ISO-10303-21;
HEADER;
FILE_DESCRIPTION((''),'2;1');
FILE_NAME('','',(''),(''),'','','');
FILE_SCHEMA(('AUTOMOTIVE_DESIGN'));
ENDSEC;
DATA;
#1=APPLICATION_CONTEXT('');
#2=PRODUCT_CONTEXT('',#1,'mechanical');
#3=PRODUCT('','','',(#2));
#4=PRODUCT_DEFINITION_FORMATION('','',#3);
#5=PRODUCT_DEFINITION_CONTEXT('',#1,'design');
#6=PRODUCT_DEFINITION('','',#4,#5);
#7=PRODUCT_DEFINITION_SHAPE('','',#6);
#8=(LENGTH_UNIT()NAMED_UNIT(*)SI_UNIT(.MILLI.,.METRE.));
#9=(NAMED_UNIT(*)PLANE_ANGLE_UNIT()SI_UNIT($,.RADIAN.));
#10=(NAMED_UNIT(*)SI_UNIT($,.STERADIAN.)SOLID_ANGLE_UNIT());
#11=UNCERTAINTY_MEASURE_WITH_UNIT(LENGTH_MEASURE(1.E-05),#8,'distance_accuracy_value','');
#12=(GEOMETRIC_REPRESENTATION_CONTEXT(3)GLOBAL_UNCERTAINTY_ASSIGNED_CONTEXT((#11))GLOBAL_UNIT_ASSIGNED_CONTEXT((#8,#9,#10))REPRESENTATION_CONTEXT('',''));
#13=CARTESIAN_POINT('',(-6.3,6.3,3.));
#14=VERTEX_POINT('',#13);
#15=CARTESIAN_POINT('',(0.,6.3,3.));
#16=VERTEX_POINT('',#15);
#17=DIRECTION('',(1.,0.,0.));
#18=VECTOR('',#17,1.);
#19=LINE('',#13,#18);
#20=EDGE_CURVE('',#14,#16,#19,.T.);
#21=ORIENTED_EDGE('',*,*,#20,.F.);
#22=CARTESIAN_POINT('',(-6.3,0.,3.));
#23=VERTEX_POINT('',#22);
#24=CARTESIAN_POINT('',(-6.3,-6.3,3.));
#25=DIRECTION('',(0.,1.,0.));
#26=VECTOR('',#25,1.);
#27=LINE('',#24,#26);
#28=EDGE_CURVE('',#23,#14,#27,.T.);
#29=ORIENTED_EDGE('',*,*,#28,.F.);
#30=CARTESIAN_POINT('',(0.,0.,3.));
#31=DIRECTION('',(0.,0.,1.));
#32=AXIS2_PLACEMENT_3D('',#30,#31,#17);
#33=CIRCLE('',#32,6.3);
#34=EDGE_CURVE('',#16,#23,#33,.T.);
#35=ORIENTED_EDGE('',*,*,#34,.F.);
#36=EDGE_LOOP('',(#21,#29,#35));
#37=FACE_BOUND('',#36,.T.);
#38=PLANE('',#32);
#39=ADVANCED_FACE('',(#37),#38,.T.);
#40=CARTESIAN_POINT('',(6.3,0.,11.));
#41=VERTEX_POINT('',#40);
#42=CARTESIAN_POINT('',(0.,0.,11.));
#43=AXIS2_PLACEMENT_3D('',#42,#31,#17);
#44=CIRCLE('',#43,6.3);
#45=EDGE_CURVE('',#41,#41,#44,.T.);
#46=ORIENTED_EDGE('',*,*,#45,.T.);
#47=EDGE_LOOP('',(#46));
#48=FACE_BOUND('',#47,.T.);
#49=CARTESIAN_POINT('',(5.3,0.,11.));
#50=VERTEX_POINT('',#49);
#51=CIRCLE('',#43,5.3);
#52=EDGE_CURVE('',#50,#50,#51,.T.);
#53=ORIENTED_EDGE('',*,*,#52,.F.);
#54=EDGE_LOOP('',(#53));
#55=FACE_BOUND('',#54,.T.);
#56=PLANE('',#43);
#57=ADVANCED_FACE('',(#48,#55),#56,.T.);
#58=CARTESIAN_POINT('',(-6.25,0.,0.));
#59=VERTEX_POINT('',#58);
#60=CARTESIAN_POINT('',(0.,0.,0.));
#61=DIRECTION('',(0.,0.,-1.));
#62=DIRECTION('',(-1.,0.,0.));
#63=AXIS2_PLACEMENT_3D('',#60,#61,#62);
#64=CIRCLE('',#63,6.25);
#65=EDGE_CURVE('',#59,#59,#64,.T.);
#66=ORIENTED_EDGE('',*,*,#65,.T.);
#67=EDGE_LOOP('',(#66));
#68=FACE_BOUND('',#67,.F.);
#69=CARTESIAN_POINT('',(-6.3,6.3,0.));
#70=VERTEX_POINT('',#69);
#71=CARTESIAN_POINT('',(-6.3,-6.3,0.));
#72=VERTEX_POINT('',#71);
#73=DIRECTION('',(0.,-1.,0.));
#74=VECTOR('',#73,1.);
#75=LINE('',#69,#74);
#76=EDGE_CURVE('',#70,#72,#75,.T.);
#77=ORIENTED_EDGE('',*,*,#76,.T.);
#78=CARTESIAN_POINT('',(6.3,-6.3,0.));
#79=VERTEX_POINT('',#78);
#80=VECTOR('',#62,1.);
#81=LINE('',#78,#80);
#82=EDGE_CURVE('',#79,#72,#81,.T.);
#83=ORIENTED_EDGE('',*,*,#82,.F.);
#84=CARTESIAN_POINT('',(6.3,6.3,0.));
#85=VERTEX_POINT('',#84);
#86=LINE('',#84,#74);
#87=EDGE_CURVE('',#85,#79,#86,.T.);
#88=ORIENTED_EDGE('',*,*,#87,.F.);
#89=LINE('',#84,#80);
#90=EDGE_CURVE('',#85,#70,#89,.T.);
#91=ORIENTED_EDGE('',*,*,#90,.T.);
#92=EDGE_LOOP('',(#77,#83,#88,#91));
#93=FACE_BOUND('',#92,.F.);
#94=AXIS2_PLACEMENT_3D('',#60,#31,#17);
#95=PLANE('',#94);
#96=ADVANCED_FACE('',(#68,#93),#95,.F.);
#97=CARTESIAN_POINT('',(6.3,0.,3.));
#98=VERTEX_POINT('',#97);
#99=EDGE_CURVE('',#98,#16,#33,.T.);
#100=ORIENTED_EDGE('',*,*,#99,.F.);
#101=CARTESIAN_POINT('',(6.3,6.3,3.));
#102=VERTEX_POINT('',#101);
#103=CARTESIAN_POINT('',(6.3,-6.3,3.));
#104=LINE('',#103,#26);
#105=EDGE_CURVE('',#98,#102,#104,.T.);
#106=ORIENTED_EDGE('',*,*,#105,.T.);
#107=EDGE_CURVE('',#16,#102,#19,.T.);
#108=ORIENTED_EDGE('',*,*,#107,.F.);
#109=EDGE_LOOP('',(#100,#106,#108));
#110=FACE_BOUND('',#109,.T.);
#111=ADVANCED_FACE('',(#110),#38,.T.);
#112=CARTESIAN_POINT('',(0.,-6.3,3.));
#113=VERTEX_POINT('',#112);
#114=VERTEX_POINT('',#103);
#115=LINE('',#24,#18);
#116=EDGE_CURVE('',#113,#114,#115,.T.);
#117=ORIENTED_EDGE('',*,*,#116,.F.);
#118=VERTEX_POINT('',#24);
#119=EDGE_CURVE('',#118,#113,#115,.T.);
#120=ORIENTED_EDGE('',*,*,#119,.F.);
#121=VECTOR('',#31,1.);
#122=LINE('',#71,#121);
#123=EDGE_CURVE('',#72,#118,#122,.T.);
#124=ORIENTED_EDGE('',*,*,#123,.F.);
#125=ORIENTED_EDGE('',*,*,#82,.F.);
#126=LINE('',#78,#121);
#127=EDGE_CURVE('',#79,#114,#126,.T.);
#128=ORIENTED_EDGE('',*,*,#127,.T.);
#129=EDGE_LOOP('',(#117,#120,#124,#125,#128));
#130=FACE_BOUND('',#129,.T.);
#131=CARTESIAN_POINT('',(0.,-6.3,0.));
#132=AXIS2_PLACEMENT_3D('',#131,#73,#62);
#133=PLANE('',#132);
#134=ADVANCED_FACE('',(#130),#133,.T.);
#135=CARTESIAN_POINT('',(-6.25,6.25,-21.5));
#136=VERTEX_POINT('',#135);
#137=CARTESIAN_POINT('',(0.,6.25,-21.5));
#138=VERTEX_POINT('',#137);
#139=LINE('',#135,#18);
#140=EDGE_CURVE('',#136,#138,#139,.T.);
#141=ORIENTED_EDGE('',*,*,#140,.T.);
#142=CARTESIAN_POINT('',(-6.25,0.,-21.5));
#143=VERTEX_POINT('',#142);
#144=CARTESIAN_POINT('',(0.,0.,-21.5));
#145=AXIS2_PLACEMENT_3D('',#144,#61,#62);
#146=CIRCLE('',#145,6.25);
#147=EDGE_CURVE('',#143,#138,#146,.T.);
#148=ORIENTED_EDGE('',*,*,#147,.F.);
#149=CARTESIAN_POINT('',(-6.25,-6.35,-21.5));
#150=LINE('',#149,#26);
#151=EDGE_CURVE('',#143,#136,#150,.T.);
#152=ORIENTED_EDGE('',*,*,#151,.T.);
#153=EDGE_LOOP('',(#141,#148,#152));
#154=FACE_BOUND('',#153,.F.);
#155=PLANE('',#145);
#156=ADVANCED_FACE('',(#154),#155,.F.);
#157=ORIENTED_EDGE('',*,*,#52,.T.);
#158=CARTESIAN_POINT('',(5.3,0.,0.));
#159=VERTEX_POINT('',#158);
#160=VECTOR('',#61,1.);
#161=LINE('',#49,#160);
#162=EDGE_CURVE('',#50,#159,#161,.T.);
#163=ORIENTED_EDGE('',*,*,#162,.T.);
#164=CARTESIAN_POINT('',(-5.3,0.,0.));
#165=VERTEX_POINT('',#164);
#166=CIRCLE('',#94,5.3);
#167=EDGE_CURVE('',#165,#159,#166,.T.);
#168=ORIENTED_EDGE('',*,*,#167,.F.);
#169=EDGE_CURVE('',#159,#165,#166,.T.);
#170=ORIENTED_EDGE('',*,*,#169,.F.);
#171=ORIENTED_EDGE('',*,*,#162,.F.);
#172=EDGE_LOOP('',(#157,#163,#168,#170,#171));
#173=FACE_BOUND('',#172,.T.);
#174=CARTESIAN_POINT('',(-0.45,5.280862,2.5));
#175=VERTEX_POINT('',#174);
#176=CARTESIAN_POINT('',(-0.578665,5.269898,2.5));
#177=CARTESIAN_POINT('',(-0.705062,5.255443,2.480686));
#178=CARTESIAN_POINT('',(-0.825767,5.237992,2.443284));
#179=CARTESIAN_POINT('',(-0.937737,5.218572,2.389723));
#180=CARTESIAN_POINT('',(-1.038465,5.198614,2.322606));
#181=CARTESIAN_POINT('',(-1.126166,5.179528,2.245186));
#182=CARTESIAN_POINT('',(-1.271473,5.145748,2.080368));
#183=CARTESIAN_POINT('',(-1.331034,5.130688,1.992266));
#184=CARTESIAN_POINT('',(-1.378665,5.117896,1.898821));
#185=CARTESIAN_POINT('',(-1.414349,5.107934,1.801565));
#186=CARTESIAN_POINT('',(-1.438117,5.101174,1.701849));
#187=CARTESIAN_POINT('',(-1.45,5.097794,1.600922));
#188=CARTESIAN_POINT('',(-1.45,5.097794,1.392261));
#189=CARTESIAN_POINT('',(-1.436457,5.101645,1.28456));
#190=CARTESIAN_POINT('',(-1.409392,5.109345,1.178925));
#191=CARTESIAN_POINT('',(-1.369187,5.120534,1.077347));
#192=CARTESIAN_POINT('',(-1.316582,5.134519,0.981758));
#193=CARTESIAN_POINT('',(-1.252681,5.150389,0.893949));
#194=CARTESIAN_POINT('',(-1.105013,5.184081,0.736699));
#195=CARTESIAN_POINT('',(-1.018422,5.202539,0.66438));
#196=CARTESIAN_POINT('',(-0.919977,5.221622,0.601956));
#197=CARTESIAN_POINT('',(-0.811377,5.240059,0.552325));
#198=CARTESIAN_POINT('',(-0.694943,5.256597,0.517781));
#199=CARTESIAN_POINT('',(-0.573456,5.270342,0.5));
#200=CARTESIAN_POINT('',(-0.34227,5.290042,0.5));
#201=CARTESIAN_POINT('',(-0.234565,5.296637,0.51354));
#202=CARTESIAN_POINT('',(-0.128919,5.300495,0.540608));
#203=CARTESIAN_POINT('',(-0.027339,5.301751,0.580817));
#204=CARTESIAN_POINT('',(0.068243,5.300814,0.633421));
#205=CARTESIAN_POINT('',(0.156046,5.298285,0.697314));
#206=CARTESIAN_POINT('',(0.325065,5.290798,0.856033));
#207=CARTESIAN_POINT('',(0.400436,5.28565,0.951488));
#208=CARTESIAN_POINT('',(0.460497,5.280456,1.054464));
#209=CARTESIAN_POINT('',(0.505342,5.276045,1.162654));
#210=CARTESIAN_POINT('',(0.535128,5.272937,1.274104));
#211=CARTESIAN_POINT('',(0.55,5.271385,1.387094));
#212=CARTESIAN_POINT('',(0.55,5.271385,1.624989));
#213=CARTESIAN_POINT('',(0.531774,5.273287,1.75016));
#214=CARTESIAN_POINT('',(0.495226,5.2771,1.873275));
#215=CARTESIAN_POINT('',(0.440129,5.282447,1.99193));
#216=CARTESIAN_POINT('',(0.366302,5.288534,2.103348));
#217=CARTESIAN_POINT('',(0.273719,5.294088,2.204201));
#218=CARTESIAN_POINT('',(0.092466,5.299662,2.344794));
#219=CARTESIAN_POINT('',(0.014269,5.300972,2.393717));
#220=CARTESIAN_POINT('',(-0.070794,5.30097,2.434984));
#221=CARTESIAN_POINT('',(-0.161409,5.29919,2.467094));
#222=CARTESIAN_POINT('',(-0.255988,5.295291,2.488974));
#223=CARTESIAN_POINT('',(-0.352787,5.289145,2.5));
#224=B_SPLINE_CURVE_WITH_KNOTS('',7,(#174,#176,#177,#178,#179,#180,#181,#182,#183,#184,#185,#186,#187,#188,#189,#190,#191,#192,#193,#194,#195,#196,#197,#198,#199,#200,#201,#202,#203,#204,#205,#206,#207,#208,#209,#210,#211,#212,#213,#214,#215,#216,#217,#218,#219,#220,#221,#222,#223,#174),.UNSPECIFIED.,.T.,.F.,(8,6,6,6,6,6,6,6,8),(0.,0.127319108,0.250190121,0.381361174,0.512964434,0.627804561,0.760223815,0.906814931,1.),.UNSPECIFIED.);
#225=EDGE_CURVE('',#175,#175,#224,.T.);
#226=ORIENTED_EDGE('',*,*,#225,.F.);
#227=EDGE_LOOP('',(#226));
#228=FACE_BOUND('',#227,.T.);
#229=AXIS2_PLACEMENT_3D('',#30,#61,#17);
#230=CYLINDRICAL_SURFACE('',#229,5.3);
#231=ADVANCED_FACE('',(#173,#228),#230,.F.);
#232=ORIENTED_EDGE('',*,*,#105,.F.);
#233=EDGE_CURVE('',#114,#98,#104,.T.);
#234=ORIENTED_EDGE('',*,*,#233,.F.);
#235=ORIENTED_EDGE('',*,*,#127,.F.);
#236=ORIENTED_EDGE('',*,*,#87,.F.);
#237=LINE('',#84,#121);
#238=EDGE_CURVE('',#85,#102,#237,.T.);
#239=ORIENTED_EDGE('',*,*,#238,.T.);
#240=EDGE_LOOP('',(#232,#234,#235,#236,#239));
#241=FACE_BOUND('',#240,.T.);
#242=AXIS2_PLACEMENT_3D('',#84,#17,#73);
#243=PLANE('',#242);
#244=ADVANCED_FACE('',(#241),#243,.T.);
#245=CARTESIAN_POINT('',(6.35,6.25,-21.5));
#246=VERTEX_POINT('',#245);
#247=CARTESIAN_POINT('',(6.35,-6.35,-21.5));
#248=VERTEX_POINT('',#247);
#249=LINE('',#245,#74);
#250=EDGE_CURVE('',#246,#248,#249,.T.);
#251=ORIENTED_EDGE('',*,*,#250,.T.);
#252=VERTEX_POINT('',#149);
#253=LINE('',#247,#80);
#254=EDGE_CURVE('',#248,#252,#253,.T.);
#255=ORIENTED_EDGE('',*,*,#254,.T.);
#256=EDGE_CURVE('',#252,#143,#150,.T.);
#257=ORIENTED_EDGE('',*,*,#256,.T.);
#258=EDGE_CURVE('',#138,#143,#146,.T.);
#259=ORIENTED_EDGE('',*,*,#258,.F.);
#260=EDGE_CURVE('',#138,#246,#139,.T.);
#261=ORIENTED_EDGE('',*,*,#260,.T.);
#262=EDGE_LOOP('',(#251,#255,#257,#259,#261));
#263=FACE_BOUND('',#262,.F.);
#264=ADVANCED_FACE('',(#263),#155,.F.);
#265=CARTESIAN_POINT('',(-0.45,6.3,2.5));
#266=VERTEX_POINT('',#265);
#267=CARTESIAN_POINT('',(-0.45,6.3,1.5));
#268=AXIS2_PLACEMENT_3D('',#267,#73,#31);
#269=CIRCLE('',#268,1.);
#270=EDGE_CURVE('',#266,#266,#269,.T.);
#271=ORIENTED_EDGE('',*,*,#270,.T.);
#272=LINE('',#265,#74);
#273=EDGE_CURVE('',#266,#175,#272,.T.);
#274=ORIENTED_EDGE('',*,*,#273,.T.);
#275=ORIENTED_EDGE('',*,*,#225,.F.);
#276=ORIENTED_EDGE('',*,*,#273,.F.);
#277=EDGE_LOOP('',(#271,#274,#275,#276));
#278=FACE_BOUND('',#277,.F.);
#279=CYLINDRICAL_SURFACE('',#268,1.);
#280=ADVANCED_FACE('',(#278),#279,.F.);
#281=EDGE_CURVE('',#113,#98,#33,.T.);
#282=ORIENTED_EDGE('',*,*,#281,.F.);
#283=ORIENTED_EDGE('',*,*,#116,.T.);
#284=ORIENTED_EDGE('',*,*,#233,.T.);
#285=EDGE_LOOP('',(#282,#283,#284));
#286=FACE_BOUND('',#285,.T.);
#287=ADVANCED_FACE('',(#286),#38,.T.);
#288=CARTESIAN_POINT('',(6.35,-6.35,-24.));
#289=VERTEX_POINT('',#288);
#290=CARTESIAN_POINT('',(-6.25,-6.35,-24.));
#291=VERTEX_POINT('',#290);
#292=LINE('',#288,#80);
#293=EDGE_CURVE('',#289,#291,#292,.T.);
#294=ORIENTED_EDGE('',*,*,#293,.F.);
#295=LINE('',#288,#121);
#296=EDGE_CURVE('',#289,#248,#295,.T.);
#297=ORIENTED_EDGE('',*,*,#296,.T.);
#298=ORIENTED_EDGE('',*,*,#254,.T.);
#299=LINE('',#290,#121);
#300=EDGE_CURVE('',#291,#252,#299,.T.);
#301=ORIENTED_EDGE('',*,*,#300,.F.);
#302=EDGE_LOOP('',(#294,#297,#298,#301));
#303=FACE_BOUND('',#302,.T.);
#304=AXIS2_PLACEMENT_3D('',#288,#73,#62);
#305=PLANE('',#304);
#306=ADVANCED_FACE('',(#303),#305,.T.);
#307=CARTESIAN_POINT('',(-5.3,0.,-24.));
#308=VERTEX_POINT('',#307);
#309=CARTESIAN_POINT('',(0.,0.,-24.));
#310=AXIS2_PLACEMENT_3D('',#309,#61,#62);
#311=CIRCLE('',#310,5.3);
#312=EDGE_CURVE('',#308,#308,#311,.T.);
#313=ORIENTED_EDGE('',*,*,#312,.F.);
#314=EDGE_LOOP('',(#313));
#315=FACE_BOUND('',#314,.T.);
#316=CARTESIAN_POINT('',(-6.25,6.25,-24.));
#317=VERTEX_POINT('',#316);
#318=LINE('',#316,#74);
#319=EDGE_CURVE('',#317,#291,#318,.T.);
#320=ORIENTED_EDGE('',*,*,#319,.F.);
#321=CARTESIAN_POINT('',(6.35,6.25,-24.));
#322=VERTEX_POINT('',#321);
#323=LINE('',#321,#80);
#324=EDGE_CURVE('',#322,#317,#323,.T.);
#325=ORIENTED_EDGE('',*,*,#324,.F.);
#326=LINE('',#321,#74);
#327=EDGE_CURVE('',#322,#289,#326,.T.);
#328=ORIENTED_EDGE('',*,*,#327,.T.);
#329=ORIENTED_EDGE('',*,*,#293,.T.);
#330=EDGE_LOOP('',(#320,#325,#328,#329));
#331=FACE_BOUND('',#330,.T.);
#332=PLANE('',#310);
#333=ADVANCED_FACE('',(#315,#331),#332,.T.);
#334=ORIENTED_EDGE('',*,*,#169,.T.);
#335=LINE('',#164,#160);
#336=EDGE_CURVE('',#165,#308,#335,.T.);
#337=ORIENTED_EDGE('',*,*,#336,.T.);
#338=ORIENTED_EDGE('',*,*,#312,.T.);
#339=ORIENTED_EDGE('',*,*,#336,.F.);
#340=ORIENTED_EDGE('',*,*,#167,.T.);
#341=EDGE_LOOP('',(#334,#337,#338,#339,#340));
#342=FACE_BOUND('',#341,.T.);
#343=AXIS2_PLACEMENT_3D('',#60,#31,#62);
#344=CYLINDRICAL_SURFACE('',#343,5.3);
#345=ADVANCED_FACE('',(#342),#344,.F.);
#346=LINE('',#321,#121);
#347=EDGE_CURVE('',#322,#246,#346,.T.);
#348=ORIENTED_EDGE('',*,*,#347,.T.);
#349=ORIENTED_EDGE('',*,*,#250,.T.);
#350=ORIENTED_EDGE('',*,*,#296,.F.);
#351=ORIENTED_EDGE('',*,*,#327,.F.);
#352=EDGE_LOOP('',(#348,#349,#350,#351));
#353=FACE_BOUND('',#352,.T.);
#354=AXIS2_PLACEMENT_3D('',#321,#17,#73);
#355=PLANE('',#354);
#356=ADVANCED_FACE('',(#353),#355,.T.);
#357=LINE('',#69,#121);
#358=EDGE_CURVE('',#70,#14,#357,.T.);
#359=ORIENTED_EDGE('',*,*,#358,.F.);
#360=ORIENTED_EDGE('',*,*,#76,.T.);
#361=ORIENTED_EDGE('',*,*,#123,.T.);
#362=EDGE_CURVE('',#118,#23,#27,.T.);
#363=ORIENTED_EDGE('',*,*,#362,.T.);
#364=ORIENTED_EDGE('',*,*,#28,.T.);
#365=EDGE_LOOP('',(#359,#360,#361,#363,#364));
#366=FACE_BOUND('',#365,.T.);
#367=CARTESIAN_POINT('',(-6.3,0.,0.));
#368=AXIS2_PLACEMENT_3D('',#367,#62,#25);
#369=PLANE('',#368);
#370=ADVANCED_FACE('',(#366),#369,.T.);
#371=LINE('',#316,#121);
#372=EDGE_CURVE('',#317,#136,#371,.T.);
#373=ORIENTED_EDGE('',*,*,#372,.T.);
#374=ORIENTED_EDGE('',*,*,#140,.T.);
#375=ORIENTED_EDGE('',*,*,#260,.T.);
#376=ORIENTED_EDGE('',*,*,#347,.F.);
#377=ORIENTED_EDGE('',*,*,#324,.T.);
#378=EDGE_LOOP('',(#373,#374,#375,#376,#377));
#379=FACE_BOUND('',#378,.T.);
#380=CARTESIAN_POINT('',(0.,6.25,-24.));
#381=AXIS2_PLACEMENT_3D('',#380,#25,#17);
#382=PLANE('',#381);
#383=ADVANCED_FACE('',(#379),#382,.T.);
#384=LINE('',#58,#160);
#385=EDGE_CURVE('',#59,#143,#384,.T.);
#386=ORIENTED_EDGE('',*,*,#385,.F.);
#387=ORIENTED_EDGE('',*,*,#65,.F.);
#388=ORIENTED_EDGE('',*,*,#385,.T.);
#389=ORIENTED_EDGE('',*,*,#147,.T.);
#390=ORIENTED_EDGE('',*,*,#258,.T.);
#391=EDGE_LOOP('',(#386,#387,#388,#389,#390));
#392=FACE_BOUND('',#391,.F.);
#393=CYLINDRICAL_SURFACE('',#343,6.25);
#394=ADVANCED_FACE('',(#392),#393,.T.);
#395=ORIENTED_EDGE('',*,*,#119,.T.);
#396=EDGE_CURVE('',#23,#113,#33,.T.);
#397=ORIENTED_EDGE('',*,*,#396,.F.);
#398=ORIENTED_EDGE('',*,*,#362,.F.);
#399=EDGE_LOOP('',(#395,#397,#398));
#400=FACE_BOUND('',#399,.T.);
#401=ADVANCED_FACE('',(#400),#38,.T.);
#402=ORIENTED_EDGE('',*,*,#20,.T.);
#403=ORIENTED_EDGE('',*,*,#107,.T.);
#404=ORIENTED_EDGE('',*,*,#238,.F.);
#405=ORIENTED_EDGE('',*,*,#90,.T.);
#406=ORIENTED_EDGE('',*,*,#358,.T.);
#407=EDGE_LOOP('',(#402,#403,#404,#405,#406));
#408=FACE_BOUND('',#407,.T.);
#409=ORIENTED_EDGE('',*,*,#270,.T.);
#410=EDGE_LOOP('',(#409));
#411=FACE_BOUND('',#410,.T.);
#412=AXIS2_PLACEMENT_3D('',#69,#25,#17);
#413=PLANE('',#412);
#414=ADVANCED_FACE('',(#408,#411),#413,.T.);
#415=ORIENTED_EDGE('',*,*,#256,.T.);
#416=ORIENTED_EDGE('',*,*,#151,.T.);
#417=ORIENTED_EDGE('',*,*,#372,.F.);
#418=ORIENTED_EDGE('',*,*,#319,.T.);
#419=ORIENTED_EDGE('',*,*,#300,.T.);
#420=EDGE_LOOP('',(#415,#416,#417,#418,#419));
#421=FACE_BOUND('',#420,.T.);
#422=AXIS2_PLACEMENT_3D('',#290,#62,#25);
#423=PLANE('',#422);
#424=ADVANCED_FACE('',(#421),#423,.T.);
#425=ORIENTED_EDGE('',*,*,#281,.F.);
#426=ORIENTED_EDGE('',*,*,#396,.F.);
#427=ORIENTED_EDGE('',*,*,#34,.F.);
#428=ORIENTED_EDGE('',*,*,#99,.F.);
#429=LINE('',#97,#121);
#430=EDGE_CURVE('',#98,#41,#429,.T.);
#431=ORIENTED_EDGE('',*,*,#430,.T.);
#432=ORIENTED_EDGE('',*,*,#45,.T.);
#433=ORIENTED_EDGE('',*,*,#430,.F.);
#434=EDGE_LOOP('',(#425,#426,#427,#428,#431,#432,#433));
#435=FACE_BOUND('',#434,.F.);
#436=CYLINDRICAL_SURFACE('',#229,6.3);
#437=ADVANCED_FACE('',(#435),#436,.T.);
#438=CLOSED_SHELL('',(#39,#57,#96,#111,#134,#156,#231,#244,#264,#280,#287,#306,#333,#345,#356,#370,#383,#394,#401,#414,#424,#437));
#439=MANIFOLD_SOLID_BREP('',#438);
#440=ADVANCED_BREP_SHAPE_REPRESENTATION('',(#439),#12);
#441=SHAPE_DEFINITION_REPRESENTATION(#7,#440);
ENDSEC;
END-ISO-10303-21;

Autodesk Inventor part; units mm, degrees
ref_plane "YZ Plane" through (0, 0, 0) normal (1, 0, 0) x (0, 1, 0)
ref_plane "XZ Plane" through (0, 0, 0) normal (0, 1, 0) x (-1, 0, 0)
ref_plane "XY Plane" through (0, 0, 0) normal (0, 0, 1) x (1, 0, 0)
sketch "Skizze1" plane through (0, 0, 0) normal (0, 0, 1) x (1, 0, 0)
  line L0 (-6.3, 6.3) -> (6.3, 6.3)
  line L1 (6.3, 6.3) -> (6.3, -6.3)
  line L2 (6.3, -6.3) -> (-6.3, -6.3)
  line L3 (-6.3, -6.3) -> (-6.3, 6.3)
  circle A0 centre (0, 0) radius 6.3
  circle A1 centre (0, 0) radius 5.3
  circle A2 centre (0, 0) radius 5.3
  circle A3 centre (0, 0) radius 6.3
  point P0 (0, -6.3)
  point P1 (-6.3, 0)
  dimension "d0" = 12.6
  dimension "d1" = 12.6
  dimension "d23" = 10.6
extrude "Extrusion2" add sketch "Skizze1" along normal blind 3
sketch "Skizze2" plane through (0, 0, 3) normal (0, 0, 1) x (1, 0, 0)
  circle A0 centre (0, 0) radius 5.3 projected
  circle A1 centre (0, 0) radius 6.3
  dimension "d7" = 12.6
extrude "Extrusion3" add sketch "Skizze2" along normal blind 8
sketch "Skizze3" plane through (0, 0, 0) normal (0, 0, -1) x (-1, 0, 0)
  circle A0 centre (0, 0) radius 5.3 projected
  circle A1 centre (0, 0) radius 5.3
  circle A2 centre (0, 0) radius 6.25
  dimension "d10" = 12.5
extrude "Extrusion4" add sketch "Skizze3" along normal blind 24
sketch "Skizze4" plane through (0, 0, -24) normal (0, 0, -1) x (-1, 0, 0)
  circle A0 centre (0, 0) radius 6.25 projected
  circle A1 centre (0, 0) radius 5.3 projected
  line L0 (-6.35, -6.35) -> (6.25, -6.35)
  line L1 (6.25, -6.35) -> (6.25, 6.25)
  line L2 (6.25, 6.25) -> (-6.35, 6.25)
  line L3 (-6.35, 6.25) -> (-6.35, -6.35)
  dimension "d25" = 10.6
  dimension "d26" = 12.5
  dimension "d29" = 12.6
  dimension "d30" = 12.6
sketch "Skizze5" plane through (6.3, 6.3, 3) normal (0, 1, 0) x (1, 0, 0)
  point P0 (-6.75, 1.5)
hole "Hole1" at (-0.45, 6.3, 1.5) direction (0, -1, 0) diameter 2 depth 8 tip angle 118
extrude "Extrusion6" add sketch "Skizze4" against normal blind 2.5 contours L1 L0 L3 L2 A0 | A0 L2 L1
properties part number "Sicherungshalter"
